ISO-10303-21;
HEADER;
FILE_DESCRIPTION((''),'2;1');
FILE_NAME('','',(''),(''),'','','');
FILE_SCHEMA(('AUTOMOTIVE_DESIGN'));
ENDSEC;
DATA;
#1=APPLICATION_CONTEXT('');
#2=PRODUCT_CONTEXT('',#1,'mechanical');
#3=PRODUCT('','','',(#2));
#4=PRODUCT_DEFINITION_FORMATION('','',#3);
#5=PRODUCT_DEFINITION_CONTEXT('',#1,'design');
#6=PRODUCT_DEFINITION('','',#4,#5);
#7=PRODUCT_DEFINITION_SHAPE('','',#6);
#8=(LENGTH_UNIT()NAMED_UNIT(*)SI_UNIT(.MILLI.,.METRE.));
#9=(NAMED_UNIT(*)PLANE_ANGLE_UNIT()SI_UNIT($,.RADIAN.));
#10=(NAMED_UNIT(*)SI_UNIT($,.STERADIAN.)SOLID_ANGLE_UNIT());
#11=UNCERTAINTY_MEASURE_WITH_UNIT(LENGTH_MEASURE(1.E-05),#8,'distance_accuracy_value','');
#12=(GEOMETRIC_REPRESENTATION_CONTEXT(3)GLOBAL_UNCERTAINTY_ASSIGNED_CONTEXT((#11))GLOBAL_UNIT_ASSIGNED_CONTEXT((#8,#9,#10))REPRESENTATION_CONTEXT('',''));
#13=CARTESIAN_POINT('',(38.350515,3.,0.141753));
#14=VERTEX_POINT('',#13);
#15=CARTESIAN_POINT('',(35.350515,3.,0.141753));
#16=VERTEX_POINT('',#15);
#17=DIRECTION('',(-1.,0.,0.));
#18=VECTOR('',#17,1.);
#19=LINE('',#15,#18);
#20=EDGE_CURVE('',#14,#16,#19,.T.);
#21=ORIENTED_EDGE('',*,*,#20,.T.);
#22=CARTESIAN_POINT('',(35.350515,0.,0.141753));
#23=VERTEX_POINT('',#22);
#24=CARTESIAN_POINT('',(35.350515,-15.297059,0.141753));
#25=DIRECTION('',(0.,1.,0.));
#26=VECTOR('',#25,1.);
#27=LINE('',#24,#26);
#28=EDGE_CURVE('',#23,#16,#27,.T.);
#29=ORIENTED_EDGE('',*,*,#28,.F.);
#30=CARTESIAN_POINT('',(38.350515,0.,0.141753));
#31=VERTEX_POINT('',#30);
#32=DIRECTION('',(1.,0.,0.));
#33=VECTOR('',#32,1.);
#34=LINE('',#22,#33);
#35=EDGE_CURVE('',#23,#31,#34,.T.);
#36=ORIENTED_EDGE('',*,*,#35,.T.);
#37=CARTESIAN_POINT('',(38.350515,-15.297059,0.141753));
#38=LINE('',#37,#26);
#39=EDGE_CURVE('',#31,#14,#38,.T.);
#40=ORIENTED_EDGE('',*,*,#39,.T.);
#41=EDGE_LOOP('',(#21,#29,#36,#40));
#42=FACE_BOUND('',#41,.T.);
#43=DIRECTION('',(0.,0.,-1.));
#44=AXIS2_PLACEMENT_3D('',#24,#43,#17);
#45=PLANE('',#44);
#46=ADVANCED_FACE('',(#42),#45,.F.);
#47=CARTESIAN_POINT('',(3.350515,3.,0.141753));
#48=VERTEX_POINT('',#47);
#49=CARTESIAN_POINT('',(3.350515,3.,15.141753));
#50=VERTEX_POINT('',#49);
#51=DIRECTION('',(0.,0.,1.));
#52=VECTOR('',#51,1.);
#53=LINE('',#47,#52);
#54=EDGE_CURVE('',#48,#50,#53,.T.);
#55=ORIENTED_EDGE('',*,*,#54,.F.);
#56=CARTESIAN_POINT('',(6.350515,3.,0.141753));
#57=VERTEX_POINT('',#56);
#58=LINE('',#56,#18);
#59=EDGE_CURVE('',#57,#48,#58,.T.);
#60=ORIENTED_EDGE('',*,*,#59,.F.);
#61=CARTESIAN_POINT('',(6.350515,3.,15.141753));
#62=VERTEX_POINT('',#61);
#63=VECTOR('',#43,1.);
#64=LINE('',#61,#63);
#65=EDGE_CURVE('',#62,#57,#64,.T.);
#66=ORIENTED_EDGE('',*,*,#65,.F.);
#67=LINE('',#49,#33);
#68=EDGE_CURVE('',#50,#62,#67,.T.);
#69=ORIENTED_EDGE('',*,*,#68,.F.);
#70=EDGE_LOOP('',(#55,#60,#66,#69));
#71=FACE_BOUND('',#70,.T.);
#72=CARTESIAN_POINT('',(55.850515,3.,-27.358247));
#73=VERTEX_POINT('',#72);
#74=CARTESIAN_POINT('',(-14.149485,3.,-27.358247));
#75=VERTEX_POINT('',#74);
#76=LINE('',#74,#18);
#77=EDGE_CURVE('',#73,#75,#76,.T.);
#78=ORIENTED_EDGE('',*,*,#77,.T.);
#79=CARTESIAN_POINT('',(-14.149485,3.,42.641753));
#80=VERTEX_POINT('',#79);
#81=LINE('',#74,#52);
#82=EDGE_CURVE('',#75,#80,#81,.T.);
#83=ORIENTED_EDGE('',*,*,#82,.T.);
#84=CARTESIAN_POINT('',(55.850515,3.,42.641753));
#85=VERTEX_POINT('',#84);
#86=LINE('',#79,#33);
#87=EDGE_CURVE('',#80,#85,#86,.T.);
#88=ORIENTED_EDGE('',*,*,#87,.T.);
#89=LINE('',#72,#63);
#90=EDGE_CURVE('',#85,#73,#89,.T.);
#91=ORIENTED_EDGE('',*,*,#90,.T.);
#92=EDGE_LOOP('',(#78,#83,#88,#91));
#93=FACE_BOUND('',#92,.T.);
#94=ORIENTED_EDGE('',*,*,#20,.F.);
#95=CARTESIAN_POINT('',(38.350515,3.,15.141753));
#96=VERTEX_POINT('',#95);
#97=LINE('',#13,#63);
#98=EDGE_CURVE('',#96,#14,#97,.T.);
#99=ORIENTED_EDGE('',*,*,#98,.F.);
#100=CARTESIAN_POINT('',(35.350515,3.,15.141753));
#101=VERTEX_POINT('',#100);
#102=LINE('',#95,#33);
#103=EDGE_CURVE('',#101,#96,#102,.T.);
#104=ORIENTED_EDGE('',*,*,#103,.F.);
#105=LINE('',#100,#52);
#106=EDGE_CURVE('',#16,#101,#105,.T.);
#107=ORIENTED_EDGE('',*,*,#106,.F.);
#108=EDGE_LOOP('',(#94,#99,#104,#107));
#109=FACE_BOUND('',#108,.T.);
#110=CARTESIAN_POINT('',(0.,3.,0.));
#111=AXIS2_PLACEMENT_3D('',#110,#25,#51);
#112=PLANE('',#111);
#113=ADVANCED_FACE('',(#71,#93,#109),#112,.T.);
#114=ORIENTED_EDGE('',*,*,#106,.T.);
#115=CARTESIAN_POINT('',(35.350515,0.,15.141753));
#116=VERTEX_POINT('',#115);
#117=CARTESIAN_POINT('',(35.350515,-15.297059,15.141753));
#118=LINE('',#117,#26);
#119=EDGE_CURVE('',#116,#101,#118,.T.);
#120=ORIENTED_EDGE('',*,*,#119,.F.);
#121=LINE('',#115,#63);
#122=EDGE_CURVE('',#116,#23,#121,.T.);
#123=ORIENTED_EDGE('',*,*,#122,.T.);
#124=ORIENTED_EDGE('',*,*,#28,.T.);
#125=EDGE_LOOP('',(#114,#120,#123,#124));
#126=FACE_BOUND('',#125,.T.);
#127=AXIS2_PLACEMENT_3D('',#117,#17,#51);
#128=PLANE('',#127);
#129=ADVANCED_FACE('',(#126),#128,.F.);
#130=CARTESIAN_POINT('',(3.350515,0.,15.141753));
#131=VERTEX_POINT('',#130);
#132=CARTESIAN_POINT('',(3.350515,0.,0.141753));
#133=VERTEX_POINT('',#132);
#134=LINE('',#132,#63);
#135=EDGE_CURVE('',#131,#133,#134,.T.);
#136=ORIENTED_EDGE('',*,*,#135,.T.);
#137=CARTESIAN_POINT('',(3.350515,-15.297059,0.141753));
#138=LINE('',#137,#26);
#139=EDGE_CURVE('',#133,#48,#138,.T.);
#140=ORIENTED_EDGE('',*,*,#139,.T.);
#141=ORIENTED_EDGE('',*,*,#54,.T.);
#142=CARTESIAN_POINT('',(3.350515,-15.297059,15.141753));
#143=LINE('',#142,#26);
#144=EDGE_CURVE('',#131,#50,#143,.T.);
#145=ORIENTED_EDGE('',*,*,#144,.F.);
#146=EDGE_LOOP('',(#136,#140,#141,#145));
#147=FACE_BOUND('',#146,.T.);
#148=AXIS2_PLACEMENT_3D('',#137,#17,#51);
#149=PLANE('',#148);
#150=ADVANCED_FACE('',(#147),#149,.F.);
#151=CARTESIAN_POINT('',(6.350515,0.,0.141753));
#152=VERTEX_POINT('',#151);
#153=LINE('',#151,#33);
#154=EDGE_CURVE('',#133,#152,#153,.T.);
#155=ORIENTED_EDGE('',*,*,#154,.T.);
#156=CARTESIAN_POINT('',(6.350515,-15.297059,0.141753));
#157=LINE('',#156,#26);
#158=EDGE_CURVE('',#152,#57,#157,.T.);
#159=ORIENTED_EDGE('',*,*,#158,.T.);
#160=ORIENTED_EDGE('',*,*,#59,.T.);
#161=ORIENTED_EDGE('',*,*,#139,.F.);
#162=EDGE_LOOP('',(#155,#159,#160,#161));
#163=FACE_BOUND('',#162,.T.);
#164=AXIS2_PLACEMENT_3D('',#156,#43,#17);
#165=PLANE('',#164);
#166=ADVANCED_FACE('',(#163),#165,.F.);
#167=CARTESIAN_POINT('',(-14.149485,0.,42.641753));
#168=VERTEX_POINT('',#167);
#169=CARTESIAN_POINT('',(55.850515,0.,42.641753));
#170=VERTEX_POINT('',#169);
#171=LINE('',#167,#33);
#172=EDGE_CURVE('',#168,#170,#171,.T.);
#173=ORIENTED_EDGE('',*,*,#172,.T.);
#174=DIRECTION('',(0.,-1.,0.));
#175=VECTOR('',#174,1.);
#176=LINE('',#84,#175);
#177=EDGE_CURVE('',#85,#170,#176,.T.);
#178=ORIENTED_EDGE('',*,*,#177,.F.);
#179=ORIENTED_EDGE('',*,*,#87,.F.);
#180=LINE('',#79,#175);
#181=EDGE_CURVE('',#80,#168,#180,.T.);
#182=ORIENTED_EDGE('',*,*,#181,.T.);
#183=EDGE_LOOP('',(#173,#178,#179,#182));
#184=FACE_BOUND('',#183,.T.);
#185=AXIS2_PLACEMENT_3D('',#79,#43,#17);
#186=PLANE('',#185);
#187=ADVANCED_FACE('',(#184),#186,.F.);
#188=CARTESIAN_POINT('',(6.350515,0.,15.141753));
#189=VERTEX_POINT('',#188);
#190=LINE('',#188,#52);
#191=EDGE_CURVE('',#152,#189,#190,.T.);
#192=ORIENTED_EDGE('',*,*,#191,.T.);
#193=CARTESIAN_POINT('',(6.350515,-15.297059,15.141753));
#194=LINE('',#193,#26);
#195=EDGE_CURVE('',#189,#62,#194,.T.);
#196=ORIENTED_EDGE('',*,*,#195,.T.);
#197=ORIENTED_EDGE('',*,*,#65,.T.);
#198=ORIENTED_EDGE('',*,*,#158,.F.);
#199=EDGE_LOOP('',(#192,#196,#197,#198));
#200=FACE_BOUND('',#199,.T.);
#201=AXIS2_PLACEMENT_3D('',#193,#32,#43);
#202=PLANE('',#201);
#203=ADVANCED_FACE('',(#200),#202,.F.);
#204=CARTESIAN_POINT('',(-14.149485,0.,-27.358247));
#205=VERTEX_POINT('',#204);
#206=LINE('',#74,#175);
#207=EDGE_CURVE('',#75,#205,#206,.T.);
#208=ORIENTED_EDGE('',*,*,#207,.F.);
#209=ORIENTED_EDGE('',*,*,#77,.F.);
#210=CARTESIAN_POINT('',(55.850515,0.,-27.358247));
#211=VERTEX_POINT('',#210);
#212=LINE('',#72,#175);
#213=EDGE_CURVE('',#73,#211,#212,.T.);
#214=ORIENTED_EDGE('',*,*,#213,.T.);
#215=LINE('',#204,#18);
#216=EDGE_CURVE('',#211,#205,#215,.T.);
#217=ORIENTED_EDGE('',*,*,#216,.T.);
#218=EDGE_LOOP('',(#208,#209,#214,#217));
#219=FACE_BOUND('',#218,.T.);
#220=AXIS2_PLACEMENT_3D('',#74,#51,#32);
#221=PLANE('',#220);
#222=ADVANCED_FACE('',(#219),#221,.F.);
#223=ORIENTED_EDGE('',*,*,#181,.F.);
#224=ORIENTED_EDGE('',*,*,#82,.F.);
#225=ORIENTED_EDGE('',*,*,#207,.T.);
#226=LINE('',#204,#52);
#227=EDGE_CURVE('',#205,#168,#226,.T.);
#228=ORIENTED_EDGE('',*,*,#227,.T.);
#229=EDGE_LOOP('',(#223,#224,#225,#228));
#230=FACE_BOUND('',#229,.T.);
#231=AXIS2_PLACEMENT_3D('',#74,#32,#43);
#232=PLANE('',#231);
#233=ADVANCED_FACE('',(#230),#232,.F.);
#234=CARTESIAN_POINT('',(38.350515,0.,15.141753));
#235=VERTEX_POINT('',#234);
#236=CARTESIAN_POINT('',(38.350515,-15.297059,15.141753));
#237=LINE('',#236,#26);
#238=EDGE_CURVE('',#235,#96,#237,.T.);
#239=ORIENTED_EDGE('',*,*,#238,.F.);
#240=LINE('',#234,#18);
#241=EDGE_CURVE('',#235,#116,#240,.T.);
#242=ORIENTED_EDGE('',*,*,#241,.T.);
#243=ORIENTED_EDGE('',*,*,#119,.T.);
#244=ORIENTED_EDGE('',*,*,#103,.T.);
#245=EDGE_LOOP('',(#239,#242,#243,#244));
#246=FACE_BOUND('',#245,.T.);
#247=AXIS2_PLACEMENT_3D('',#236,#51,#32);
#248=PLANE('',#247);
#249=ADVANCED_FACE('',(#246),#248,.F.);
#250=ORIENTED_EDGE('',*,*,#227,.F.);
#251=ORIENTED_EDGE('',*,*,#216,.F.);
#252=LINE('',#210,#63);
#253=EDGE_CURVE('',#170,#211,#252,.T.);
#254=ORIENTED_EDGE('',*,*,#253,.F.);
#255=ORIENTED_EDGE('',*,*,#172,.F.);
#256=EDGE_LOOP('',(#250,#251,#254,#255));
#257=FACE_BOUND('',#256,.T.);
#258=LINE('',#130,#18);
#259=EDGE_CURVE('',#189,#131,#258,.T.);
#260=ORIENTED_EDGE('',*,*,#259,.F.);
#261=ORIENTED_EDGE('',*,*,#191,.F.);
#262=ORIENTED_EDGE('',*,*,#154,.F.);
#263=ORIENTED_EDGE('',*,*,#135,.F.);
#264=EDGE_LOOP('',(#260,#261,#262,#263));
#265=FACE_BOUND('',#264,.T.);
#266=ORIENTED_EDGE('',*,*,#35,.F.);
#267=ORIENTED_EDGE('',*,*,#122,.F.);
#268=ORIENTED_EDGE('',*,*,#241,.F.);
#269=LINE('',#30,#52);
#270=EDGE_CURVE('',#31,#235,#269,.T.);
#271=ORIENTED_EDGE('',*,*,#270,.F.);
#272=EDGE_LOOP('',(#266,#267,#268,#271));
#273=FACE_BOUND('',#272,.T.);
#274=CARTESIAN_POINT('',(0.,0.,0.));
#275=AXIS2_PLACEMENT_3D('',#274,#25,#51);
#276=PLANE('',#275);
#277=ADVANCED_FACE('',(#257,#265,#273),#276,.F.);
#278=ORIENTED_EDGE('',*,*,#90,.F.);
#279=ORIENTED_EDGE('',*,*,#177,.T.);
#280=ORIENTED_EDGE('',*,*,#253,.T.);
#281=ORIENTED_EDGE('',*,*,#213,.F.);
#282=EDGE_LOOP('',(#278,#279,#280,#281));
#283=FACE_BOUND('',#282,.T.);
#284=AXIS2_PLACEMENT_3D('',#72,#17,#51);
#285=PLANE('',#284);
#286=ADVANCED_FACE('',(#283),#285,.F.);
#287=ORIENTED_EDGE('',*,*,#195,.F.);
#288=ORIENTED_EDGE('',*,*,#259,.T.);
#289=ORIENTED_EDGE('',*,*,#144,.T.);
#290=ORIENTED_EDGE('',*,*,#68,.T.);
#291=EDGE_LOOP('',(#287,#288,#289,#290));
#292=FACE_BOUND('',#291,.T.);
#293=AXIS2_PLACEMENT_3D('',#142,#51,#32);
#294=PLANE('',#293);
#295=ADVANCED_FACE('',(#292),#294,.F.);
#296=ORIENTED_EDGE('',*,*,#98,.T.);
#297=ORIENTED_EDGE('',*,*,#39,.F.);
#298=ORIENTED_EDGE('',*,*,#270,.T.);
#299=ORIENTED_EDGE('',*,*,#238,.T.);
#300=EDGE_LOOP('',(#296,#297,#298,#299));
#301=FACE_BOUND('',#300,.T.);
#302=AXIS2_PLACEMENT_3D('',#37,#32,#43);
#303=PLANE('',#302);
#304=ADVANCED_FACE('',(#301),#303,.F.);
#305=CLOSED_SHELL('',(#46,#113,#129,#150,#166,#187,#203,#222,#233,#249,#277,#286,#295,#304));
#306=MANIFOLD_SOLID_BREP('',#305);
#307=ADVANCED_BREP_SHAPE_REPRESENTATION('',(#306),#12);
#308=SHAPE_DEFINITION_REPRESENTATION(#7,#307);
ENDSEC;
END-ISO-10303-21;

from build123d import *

# Parameters (mm, degrees)
ESBO_O1_W                = 70
ESBO_O1_H                = 70
RESSALTO_EXTRUS_O1_DEPTH = 3
ESBO_O2_W                = 3
ESBO_O2_H                = 15
CORTE_EXTRUS_O1_DEPTH    = 3


with BuildPart() as part:
    # Esboço1 → Ressalto-extrusão1 (new body)
    with BuildSketch(Plane(origin=(0, 0, 0), x_dir=(1, 0, 0), z_dir=(0, 1, 0))):
        with Locations((20.850515464, -7.641752577)):
            Rectangle(ESBO_O1_W, ESBO_O1_H)
    extrude(amount=RESSALTO_EXTRUS_O1_DEPTH)

    # Esboço2 → Corte-extrusão1 (cut)
    with BuildSketch(Plane(origin=(0, 3, 0), x_dir=(1, 0, 0), z_dir=(0, 1, 0))):
        with Locations((4.850515464, -7.641752577)):
            Rectangle(ESBO_O2_W, ESBO_O2_H)
        with Locations((36.850515464, -7.641752577)):
            Rectangle(ESBO_O2_W, ESBO_O2_H)
    extrude(amount=-CORTE_EXTRUS_O1_DEPTH, mode=Mode.SUBTRACT)


solid = part.part
